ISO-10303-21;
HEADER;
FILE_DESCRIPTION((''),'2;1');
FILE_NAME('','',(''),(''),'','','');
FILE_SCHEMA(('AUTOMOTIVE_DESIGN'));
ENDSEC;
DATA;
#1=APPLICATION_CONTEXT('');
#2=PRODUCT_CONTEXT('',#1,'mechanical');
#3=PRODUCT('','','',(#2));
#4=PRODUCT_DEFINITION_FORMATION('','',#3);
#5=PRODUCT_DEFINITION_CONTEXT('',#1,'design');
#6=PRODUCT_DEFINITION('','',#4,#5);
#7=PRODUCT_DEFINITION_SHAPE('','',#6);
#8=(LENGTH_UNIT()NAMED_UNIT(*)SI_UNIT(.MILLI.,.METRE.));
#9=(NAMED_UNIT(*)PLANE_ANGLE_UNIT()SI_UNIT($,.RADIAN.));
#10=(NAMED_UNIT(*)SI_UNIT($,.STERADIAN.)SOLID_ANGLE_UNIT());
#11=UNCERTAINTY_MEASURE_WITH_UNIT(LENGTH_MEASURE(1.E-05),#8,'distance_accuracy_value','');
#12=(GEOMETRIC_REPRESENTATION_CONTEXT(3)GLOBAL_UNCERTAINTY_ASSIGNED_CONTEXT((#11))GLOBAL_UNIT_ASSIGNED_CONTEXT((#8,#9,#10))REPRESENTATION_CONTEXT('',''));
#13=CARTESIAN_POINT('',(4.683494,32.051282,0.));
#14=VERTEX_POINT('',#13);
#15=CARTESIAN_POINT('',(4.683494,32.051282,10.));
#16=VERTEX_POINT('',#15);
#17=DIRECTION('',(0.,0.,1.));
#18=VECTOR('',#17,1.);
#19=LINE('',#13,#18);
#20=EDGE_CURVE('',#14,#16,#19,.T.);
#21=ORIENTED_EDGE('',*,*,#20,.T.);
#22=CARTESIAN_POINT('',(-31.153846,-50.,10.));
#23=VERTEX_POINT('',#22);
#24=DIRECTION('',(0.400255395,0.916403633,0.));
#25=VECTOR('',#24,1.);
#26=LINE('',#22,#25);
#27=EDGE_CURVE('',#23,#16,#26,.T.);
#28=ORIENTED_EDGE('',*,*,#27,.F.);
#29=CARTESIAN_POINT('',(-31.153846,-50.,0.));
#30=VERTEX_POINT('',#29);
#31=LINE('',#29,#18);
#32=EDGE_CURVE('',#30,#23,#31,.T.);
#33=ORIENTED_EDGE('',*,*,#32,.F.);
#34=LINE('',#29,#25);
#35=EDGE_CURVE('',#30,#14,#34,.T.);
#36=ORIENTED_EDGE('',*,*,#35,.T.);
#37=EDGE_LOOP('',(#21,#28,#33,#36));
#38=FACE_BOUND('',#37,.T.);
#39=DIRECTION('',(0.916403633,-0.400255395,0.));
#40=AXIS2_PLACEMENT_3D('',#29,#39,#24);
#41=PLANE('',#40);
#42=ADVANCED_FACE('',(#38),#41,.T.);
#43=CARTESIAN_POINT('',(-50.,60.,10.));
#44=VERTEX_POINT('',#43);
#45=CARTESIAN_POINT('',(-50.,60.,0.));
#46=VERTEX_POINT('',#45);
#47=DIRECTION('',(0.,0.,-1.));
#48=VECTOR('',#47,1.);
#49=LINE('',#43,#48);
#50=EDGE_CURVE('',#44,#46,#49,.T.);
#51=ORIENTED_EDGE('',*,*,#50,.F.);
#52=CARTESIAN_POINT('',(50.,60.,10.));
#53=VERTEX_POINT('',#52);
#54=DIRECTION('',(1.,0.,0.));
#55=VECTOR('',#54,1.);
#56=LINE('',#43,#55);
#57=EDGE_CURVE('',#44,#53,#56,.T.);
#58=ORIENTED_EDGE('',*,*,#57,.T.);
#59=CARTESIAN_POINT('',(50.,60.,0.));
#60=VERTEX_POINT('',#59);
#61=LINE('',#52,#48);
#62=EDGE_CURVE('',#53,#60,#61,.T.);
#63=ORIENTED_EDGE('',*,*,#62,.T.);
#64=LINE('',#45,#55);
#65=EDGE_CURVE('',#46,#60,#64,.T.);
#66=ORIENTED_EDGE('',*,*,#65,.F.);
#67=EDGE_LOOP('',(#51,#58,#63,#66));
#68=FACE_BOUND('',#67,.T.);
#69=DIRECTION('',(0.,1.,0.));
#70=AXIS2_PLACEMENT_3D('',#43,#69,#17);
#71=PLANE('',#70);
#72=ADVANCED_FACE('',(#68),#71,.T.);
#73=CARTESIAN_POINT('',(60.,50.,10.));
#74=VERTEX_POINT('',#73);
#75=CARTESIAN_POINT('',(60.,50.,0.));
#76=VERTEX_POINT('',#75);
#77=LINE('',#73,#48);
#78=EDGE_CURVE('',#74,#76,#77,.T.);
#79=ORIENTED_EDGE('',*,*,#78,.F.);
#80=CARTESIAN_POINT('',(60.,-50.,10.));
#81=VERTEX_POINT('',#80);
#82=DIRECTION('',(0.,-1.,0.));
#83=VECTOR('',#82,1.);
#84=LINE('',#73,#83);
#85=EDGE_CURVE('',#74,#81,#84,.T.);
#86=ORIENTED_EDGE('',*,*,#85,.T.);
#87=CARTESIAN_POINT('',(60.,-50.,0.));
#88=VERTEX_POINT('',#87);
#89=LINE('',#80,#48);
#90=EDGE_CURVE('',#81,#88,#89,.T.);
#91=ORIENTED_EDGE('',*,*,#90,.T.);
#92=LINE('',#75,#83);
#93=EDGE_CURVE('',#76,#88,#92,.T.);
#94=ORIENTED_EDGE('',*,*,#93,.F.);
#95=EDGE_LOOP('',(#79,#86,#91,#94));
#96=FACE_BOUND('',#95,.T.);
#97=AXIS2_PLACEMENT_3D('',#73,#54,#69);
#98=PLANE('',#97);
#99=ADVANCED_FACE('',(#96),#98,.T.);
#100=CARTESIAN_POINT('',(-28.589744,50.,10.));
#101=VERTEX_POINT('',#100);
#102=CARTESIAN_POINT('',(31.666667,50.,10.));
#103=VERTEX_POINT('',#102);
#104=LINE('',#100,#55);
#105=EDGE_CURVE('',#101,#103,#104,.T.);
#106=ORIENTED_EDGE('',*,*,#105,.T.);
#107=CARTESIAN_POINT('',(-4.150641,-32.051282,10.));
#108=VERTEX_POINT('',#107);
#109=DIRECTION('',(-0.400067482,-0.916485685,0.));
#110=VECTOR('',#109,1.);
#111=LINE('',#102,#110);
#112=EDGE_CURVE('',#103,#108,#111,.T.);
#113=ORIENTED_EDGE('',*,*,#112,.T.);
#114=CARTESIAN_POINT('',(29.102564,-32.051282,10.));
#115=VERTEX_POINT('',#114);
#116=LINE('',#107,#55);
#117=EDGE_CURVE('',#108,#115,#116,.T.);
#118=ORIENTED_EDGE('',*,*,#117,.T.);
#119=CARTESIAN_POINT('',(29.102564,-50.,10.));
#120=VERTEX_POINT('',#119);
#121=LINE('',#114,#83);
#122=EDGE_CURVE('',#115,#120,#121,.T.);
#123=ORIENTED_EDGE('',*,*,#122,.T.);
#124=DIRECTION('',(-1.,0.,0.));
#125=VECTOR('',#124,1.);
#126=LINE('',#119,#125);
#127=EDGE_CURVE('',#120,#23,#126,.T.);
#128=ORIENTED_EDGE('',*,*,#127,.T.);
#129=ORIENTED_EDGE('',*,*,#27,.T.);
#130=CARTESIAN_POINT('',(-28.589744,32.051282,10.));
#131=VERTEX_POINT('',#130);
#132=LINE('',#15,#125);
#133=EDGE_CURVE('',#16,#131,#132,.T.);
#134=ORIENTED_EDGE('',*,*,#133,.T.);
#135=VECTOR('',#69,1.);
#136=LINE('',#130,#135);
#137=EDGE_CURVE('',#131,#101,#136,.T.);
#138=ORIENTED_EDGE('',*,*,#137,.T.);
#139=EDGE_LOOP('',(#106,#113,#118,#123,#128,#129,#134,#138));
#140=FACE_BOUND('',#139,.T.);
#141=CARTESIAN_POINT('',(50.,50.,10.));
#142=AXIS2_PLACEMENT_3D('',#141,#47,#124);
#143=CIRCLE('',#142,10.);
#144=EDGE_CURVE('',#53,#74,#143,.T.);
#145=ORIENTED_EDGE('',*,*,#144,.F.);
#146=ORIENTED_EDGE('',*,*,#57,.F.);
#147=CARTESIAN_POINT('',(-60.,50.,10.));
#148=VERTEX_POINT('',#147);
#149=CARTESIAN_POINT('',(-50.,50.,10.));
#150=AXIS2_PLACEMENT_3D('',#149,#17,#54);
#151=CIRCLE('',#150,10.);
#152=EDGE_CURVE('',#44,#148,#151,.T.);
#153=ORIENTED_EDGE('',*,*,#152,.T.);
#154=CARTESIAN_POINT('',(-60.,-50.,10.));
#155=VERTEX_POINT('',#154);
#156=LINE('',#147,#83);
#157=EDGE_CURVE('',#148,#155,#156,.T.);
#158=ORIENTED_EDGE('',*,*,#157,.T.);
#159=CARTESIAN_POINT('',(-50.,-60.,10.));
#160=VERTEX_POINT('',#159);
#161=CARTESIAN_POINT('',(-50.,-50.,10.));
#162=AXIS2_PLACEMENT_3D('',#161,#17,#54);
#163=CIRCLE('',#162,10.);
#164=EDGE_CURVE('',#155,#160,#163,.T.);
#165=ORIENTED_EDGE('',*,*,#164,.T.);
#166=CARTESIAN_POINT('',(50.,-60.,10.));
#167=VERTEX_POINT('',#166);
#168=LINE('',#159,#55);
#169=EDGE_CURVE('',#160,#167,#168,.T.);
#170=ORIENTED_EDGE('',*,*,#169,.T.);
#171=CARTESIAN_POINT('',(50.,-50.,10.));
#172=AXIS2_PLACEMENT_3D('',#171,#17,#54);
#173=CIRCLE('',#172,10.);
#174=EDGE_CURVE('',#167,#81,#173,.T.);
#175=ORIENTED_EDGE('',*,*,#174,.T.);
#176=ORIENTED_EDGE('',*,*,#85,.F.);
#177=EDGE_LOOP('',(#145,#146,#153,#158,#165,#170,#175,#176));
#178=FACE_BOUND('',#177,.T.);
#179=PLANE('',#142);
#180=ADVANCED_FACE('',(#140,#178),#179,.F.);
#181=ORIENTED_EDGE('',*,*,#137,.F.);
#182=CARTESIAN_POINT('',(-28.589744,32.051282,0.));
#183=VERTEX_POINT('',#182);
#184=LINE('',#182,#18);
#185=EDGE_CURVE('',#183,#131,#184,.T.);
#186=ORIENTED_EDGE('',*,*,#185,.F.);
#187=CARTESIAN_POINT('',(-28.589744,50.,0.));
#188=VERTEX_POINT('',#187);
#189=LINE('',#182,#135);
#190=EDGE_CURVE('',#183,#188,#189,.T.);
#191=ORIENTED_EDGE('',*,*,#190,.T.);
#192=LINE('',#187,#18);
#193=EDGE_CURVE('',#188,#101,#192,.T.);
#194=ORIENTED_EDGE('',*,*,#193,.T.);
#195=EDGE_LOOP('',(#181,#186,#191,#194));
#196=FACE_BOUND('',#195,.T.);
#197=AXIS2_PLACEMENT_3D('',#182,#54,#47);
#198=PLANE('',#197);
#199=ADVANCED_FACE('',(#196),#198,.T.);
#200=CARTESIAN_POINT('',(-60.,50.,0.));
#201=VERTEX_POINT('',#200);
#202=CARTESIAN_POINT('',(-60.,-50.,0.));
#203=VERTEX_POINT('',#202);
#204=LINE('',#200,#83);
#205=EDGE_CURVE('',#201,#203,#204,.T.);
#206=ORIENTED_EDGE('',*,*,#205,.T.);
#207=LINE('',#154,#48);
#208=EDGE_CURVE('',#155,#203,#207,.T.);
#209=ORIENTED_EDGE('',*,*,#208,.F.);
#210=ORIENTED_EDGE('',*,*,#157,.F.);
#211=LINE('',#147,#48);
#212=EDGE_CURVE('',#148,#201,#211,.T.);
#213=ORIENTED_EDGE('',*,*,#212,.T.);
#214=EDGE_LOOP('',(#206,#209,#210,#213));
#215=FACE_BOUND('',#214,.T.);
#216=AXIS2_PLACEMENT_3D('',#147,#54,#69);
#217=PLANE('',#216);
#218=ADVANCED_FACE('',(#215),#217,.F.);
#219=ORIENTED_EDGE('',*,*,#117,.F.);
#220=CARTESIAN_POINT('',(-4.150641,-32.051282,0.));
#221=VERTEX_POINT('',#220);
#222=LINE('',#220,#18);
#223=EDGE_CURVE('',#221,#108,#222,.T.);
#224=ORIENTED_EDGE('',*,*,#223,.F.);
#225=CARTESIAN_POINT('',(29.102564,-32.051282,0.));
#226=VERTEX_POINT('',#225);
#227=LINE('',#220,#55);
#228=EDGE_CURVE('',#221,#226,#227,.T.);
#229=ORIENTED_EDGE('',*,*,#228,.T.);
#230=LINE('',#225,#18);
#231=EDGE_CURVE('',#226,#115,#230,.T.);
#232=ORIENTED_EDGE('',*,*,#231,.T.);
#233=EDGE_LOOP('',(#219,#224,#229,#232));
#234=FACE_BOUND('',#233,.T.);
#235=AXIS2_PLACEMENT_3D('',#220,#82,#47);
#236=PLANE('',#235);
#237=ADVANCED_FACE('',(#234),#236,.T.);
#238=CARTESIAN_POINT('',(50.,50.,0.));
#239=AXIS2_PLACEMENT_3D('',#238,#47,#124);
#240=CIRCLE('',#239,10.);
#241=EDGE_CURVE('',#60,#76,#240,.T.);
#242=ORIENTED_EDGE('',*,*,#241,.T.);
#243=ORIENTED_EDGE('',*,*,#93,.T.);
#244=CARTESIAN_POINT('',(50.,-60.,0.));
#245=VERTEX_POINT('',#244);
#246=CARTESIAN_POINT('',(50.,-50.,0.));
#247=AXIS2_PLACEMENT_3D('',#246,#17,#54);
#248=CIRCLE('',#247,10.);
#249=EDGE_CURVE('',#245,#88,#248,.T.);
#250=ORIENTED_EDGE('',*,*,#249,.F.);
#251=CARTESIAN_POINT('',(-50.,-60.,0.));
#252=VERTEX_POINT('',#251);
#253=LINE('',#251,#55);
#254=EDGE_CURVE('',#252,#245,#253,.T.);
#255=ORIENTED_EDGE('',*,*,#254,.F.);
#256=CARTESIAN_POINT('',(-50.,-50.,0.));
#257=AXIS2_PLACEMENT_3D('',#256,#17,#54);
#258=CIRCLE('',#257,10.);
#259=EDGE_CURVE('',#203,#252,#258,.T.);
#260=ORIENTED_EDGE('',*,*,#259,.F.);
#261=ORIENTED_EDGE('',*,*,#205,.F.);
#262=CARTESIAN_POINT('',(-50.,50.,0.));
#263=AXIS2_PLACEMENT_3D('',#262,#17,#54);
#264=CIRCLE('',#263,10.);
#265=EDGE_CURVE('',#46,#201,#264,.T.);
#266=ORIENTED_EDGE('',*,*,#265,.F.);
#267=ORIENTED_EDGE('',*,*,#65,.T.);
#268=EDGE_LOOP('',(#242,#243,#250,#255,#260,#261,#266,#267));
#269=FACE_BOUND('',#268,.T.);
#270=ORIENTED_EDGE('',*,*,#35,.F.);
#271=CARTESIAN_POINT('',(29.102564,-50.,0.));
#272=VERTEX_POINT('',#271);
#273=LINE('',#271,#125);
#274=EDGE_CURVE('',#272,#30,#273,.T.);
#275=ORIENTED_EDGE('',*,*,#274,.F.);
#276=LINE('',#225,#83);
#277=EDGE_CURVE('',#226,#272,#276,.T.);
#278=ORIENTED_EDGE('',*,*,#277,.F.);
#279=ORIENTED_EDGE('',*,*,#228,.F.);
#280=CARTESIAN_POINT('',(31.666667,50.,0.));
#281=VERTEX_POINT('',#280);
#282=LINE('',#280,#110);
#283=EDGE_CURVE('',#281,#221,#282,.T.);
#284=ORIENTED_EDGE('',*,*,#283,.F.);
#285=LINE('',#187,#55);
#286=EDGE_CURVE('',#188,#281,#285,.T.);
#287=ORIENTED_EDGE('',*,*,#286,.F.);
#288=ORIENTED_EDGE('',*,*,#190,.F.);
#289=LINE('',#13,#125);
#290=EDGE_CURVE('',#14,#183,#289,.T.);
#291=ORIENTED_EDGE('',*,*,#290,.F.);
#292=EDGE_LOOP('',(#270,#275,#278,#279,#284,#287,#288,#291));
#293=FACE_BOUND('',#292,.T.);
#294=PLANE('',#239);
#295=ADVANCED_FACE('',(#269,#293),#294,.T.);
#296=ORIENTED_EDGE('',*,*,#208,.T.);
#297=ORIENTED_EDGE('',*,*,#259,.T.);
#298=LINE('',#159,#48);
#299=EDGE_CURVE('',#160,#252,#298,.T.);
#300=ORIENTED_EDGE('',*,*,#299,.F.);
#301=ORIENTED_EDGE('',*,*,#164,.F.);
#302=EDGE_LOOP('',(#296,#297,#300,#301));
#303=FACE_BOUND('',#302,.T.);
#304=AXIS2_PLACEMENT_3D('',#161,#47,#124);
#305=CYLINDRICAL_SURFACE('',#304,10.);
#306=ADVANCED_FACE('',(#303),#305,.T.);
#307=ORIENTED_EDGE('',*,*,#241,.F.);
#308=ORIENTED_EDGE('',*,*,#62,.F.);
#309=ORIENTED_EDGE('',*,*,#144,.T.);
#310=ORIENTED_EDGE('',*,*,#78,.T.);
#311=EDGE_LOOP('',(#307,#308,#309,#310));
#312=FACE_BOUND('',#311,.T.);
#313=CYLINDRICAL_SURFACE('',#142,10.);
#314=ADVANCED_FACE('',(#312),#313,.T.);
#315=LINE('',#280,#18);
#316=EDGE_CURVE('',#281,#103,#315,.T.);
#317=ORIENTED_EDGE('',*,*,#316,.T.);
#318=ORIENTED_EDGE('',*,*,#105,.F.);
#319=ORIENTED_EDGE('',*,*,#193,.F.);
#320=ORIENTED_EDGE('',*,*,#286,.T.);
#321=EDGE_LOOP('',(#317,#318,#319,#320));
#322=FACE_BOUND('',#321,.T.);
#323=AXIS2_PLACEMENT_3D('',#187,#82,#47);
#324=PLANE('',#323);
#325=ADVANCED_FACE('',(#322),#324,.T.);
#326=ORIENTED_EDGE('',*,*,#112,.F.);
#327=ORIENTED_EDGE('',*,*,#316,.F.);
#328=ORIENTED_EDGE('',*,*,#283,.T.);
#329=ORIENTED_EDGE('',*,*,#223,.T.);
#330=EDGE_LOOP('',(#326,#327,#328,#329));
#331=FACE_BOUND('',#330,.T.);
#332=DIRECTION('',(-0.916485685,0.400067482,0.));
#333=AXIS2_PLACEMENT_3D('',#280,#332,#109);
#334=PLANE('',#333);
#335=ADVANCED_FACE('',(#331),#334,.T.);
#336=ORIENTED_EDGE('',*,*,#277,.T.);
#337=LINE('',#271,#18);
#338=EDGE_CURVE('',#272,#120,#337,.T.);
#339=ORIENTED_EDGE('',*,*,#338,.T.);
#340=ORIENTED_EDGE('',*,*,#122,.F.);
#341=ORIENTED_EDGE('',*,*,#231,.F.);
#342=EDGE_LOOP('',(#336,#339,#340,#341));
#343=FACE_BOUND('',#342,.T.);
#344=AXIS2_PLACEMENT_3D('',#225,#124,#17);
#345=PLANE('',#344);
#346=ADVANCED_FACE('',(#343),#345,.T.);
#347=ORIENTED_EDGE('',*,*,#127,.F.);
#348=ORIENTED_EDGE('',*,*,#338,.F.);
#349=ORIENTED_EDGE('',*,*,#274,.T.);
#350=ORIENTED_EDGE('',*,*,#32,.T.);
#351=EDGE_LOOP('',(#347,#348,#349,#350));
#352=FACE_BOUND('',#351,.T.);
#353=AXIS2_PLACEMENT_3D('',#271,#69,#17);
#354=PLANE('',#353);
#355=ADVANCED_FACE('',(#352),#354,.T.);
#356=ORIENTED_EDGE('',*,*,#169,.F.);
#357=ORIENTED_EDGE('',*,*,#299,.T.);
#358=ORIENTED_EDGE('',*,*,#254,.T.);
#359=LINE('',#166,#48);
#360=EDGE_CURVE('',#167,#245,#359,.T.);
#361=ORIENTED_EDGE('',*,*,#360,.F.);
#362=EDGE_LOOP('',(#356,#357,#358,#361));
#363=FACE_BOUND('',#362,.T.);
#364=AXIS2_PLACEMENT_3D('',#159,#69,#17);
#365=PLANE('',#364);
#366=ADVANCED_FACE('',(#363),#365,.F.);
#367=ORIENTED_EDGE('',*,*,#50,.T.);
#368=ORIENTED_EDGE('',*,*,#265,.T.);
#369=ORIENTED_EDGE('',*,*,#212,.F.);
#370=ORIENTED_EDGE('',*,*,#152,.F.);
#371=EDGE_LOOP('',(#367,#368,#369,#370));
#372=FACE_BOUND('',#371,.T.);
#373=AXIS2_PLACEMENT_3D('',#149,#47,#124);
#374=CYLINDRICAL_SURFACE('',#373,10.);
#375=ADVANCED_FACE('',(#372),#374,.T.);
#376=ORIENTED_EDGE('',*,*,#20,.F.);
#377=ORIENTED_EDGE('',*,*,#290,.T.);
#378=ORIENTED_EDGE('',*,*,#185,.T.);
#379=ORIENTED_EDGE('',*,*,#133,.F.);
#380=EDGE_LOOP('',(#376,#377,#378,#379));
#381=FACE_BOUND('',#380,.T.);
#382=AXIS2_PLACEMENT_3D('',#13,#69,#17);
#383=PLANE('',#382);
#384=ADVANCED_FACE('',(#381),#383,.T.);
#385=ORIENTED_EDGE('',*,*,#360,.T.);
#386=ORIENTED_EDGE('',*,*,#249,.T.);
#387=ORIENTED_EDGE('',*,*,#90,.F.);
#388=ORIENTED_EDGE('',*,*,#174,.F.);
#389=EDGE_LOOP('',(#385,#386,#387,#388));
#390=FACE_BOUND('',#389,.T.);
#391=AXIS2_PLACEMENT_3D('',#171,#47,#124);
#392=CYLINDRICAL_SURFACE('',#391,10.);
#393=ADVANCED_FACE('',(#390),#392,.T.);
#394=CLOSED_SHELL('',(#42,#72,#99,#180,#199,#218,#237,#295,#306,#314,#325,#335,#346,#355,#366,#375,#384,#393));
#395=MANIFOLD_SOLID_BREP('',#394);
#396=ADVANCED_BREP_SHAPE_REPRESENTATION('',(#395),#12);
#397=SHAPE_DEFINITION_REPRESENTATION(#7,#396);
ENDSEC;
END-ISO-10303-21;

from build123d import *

# Parameters (mm, degrees)
BOSS_EXTRUDE1_DEPTH = 10
CUT_EXTRUDE39_DEPTH = 10


with BuildPart() as part:
    # Sketch1 → Boss-Extrude1 (new body)
    with BuildSketch(Plane.XY):
        with BuildLine():
            Line((-50, 60), (50, 60))
            ThreePointArc((50, 60), (57.071067812, 57.071067812), (60, 50))
            Line((60, 50), (60, -50))
            ThreePointArc((60, -50), (57.071067812, -57.071067812), (50, -60))
            Line((50, -60), (-50, -60))
            ThreePointArc((-50, -60), (-57.071067812, -57.071067812), (-60, -50))
            Line((-60, -50), (-60, 50))
            ThreePointArc((-60, 50), (-57.071067812, 57.071067812), (-50, 60))
        make_face()
    extrude(amount=BOSS_EXTRUDE1_DEPTH)

    # Sketch2 → Cut-Extrude39 (cut)
    with BuildSketch(Plane.XY.offset(10)):
        Polygon((-28.58974359, 50), (31.666666667, 50), (-4.150641026, -32.051282051), (29.102564103, -32.051282051), (29.102564103, -50), (-31.153846154, -50), (4.68349359, 32.051282051), (-28.58974359, 32.051282051), align=None)
    extrude(amount=-CUT_EXTRUDE39_DEPTH, mode=Mode.SUBTRACT)


solid = part.part
